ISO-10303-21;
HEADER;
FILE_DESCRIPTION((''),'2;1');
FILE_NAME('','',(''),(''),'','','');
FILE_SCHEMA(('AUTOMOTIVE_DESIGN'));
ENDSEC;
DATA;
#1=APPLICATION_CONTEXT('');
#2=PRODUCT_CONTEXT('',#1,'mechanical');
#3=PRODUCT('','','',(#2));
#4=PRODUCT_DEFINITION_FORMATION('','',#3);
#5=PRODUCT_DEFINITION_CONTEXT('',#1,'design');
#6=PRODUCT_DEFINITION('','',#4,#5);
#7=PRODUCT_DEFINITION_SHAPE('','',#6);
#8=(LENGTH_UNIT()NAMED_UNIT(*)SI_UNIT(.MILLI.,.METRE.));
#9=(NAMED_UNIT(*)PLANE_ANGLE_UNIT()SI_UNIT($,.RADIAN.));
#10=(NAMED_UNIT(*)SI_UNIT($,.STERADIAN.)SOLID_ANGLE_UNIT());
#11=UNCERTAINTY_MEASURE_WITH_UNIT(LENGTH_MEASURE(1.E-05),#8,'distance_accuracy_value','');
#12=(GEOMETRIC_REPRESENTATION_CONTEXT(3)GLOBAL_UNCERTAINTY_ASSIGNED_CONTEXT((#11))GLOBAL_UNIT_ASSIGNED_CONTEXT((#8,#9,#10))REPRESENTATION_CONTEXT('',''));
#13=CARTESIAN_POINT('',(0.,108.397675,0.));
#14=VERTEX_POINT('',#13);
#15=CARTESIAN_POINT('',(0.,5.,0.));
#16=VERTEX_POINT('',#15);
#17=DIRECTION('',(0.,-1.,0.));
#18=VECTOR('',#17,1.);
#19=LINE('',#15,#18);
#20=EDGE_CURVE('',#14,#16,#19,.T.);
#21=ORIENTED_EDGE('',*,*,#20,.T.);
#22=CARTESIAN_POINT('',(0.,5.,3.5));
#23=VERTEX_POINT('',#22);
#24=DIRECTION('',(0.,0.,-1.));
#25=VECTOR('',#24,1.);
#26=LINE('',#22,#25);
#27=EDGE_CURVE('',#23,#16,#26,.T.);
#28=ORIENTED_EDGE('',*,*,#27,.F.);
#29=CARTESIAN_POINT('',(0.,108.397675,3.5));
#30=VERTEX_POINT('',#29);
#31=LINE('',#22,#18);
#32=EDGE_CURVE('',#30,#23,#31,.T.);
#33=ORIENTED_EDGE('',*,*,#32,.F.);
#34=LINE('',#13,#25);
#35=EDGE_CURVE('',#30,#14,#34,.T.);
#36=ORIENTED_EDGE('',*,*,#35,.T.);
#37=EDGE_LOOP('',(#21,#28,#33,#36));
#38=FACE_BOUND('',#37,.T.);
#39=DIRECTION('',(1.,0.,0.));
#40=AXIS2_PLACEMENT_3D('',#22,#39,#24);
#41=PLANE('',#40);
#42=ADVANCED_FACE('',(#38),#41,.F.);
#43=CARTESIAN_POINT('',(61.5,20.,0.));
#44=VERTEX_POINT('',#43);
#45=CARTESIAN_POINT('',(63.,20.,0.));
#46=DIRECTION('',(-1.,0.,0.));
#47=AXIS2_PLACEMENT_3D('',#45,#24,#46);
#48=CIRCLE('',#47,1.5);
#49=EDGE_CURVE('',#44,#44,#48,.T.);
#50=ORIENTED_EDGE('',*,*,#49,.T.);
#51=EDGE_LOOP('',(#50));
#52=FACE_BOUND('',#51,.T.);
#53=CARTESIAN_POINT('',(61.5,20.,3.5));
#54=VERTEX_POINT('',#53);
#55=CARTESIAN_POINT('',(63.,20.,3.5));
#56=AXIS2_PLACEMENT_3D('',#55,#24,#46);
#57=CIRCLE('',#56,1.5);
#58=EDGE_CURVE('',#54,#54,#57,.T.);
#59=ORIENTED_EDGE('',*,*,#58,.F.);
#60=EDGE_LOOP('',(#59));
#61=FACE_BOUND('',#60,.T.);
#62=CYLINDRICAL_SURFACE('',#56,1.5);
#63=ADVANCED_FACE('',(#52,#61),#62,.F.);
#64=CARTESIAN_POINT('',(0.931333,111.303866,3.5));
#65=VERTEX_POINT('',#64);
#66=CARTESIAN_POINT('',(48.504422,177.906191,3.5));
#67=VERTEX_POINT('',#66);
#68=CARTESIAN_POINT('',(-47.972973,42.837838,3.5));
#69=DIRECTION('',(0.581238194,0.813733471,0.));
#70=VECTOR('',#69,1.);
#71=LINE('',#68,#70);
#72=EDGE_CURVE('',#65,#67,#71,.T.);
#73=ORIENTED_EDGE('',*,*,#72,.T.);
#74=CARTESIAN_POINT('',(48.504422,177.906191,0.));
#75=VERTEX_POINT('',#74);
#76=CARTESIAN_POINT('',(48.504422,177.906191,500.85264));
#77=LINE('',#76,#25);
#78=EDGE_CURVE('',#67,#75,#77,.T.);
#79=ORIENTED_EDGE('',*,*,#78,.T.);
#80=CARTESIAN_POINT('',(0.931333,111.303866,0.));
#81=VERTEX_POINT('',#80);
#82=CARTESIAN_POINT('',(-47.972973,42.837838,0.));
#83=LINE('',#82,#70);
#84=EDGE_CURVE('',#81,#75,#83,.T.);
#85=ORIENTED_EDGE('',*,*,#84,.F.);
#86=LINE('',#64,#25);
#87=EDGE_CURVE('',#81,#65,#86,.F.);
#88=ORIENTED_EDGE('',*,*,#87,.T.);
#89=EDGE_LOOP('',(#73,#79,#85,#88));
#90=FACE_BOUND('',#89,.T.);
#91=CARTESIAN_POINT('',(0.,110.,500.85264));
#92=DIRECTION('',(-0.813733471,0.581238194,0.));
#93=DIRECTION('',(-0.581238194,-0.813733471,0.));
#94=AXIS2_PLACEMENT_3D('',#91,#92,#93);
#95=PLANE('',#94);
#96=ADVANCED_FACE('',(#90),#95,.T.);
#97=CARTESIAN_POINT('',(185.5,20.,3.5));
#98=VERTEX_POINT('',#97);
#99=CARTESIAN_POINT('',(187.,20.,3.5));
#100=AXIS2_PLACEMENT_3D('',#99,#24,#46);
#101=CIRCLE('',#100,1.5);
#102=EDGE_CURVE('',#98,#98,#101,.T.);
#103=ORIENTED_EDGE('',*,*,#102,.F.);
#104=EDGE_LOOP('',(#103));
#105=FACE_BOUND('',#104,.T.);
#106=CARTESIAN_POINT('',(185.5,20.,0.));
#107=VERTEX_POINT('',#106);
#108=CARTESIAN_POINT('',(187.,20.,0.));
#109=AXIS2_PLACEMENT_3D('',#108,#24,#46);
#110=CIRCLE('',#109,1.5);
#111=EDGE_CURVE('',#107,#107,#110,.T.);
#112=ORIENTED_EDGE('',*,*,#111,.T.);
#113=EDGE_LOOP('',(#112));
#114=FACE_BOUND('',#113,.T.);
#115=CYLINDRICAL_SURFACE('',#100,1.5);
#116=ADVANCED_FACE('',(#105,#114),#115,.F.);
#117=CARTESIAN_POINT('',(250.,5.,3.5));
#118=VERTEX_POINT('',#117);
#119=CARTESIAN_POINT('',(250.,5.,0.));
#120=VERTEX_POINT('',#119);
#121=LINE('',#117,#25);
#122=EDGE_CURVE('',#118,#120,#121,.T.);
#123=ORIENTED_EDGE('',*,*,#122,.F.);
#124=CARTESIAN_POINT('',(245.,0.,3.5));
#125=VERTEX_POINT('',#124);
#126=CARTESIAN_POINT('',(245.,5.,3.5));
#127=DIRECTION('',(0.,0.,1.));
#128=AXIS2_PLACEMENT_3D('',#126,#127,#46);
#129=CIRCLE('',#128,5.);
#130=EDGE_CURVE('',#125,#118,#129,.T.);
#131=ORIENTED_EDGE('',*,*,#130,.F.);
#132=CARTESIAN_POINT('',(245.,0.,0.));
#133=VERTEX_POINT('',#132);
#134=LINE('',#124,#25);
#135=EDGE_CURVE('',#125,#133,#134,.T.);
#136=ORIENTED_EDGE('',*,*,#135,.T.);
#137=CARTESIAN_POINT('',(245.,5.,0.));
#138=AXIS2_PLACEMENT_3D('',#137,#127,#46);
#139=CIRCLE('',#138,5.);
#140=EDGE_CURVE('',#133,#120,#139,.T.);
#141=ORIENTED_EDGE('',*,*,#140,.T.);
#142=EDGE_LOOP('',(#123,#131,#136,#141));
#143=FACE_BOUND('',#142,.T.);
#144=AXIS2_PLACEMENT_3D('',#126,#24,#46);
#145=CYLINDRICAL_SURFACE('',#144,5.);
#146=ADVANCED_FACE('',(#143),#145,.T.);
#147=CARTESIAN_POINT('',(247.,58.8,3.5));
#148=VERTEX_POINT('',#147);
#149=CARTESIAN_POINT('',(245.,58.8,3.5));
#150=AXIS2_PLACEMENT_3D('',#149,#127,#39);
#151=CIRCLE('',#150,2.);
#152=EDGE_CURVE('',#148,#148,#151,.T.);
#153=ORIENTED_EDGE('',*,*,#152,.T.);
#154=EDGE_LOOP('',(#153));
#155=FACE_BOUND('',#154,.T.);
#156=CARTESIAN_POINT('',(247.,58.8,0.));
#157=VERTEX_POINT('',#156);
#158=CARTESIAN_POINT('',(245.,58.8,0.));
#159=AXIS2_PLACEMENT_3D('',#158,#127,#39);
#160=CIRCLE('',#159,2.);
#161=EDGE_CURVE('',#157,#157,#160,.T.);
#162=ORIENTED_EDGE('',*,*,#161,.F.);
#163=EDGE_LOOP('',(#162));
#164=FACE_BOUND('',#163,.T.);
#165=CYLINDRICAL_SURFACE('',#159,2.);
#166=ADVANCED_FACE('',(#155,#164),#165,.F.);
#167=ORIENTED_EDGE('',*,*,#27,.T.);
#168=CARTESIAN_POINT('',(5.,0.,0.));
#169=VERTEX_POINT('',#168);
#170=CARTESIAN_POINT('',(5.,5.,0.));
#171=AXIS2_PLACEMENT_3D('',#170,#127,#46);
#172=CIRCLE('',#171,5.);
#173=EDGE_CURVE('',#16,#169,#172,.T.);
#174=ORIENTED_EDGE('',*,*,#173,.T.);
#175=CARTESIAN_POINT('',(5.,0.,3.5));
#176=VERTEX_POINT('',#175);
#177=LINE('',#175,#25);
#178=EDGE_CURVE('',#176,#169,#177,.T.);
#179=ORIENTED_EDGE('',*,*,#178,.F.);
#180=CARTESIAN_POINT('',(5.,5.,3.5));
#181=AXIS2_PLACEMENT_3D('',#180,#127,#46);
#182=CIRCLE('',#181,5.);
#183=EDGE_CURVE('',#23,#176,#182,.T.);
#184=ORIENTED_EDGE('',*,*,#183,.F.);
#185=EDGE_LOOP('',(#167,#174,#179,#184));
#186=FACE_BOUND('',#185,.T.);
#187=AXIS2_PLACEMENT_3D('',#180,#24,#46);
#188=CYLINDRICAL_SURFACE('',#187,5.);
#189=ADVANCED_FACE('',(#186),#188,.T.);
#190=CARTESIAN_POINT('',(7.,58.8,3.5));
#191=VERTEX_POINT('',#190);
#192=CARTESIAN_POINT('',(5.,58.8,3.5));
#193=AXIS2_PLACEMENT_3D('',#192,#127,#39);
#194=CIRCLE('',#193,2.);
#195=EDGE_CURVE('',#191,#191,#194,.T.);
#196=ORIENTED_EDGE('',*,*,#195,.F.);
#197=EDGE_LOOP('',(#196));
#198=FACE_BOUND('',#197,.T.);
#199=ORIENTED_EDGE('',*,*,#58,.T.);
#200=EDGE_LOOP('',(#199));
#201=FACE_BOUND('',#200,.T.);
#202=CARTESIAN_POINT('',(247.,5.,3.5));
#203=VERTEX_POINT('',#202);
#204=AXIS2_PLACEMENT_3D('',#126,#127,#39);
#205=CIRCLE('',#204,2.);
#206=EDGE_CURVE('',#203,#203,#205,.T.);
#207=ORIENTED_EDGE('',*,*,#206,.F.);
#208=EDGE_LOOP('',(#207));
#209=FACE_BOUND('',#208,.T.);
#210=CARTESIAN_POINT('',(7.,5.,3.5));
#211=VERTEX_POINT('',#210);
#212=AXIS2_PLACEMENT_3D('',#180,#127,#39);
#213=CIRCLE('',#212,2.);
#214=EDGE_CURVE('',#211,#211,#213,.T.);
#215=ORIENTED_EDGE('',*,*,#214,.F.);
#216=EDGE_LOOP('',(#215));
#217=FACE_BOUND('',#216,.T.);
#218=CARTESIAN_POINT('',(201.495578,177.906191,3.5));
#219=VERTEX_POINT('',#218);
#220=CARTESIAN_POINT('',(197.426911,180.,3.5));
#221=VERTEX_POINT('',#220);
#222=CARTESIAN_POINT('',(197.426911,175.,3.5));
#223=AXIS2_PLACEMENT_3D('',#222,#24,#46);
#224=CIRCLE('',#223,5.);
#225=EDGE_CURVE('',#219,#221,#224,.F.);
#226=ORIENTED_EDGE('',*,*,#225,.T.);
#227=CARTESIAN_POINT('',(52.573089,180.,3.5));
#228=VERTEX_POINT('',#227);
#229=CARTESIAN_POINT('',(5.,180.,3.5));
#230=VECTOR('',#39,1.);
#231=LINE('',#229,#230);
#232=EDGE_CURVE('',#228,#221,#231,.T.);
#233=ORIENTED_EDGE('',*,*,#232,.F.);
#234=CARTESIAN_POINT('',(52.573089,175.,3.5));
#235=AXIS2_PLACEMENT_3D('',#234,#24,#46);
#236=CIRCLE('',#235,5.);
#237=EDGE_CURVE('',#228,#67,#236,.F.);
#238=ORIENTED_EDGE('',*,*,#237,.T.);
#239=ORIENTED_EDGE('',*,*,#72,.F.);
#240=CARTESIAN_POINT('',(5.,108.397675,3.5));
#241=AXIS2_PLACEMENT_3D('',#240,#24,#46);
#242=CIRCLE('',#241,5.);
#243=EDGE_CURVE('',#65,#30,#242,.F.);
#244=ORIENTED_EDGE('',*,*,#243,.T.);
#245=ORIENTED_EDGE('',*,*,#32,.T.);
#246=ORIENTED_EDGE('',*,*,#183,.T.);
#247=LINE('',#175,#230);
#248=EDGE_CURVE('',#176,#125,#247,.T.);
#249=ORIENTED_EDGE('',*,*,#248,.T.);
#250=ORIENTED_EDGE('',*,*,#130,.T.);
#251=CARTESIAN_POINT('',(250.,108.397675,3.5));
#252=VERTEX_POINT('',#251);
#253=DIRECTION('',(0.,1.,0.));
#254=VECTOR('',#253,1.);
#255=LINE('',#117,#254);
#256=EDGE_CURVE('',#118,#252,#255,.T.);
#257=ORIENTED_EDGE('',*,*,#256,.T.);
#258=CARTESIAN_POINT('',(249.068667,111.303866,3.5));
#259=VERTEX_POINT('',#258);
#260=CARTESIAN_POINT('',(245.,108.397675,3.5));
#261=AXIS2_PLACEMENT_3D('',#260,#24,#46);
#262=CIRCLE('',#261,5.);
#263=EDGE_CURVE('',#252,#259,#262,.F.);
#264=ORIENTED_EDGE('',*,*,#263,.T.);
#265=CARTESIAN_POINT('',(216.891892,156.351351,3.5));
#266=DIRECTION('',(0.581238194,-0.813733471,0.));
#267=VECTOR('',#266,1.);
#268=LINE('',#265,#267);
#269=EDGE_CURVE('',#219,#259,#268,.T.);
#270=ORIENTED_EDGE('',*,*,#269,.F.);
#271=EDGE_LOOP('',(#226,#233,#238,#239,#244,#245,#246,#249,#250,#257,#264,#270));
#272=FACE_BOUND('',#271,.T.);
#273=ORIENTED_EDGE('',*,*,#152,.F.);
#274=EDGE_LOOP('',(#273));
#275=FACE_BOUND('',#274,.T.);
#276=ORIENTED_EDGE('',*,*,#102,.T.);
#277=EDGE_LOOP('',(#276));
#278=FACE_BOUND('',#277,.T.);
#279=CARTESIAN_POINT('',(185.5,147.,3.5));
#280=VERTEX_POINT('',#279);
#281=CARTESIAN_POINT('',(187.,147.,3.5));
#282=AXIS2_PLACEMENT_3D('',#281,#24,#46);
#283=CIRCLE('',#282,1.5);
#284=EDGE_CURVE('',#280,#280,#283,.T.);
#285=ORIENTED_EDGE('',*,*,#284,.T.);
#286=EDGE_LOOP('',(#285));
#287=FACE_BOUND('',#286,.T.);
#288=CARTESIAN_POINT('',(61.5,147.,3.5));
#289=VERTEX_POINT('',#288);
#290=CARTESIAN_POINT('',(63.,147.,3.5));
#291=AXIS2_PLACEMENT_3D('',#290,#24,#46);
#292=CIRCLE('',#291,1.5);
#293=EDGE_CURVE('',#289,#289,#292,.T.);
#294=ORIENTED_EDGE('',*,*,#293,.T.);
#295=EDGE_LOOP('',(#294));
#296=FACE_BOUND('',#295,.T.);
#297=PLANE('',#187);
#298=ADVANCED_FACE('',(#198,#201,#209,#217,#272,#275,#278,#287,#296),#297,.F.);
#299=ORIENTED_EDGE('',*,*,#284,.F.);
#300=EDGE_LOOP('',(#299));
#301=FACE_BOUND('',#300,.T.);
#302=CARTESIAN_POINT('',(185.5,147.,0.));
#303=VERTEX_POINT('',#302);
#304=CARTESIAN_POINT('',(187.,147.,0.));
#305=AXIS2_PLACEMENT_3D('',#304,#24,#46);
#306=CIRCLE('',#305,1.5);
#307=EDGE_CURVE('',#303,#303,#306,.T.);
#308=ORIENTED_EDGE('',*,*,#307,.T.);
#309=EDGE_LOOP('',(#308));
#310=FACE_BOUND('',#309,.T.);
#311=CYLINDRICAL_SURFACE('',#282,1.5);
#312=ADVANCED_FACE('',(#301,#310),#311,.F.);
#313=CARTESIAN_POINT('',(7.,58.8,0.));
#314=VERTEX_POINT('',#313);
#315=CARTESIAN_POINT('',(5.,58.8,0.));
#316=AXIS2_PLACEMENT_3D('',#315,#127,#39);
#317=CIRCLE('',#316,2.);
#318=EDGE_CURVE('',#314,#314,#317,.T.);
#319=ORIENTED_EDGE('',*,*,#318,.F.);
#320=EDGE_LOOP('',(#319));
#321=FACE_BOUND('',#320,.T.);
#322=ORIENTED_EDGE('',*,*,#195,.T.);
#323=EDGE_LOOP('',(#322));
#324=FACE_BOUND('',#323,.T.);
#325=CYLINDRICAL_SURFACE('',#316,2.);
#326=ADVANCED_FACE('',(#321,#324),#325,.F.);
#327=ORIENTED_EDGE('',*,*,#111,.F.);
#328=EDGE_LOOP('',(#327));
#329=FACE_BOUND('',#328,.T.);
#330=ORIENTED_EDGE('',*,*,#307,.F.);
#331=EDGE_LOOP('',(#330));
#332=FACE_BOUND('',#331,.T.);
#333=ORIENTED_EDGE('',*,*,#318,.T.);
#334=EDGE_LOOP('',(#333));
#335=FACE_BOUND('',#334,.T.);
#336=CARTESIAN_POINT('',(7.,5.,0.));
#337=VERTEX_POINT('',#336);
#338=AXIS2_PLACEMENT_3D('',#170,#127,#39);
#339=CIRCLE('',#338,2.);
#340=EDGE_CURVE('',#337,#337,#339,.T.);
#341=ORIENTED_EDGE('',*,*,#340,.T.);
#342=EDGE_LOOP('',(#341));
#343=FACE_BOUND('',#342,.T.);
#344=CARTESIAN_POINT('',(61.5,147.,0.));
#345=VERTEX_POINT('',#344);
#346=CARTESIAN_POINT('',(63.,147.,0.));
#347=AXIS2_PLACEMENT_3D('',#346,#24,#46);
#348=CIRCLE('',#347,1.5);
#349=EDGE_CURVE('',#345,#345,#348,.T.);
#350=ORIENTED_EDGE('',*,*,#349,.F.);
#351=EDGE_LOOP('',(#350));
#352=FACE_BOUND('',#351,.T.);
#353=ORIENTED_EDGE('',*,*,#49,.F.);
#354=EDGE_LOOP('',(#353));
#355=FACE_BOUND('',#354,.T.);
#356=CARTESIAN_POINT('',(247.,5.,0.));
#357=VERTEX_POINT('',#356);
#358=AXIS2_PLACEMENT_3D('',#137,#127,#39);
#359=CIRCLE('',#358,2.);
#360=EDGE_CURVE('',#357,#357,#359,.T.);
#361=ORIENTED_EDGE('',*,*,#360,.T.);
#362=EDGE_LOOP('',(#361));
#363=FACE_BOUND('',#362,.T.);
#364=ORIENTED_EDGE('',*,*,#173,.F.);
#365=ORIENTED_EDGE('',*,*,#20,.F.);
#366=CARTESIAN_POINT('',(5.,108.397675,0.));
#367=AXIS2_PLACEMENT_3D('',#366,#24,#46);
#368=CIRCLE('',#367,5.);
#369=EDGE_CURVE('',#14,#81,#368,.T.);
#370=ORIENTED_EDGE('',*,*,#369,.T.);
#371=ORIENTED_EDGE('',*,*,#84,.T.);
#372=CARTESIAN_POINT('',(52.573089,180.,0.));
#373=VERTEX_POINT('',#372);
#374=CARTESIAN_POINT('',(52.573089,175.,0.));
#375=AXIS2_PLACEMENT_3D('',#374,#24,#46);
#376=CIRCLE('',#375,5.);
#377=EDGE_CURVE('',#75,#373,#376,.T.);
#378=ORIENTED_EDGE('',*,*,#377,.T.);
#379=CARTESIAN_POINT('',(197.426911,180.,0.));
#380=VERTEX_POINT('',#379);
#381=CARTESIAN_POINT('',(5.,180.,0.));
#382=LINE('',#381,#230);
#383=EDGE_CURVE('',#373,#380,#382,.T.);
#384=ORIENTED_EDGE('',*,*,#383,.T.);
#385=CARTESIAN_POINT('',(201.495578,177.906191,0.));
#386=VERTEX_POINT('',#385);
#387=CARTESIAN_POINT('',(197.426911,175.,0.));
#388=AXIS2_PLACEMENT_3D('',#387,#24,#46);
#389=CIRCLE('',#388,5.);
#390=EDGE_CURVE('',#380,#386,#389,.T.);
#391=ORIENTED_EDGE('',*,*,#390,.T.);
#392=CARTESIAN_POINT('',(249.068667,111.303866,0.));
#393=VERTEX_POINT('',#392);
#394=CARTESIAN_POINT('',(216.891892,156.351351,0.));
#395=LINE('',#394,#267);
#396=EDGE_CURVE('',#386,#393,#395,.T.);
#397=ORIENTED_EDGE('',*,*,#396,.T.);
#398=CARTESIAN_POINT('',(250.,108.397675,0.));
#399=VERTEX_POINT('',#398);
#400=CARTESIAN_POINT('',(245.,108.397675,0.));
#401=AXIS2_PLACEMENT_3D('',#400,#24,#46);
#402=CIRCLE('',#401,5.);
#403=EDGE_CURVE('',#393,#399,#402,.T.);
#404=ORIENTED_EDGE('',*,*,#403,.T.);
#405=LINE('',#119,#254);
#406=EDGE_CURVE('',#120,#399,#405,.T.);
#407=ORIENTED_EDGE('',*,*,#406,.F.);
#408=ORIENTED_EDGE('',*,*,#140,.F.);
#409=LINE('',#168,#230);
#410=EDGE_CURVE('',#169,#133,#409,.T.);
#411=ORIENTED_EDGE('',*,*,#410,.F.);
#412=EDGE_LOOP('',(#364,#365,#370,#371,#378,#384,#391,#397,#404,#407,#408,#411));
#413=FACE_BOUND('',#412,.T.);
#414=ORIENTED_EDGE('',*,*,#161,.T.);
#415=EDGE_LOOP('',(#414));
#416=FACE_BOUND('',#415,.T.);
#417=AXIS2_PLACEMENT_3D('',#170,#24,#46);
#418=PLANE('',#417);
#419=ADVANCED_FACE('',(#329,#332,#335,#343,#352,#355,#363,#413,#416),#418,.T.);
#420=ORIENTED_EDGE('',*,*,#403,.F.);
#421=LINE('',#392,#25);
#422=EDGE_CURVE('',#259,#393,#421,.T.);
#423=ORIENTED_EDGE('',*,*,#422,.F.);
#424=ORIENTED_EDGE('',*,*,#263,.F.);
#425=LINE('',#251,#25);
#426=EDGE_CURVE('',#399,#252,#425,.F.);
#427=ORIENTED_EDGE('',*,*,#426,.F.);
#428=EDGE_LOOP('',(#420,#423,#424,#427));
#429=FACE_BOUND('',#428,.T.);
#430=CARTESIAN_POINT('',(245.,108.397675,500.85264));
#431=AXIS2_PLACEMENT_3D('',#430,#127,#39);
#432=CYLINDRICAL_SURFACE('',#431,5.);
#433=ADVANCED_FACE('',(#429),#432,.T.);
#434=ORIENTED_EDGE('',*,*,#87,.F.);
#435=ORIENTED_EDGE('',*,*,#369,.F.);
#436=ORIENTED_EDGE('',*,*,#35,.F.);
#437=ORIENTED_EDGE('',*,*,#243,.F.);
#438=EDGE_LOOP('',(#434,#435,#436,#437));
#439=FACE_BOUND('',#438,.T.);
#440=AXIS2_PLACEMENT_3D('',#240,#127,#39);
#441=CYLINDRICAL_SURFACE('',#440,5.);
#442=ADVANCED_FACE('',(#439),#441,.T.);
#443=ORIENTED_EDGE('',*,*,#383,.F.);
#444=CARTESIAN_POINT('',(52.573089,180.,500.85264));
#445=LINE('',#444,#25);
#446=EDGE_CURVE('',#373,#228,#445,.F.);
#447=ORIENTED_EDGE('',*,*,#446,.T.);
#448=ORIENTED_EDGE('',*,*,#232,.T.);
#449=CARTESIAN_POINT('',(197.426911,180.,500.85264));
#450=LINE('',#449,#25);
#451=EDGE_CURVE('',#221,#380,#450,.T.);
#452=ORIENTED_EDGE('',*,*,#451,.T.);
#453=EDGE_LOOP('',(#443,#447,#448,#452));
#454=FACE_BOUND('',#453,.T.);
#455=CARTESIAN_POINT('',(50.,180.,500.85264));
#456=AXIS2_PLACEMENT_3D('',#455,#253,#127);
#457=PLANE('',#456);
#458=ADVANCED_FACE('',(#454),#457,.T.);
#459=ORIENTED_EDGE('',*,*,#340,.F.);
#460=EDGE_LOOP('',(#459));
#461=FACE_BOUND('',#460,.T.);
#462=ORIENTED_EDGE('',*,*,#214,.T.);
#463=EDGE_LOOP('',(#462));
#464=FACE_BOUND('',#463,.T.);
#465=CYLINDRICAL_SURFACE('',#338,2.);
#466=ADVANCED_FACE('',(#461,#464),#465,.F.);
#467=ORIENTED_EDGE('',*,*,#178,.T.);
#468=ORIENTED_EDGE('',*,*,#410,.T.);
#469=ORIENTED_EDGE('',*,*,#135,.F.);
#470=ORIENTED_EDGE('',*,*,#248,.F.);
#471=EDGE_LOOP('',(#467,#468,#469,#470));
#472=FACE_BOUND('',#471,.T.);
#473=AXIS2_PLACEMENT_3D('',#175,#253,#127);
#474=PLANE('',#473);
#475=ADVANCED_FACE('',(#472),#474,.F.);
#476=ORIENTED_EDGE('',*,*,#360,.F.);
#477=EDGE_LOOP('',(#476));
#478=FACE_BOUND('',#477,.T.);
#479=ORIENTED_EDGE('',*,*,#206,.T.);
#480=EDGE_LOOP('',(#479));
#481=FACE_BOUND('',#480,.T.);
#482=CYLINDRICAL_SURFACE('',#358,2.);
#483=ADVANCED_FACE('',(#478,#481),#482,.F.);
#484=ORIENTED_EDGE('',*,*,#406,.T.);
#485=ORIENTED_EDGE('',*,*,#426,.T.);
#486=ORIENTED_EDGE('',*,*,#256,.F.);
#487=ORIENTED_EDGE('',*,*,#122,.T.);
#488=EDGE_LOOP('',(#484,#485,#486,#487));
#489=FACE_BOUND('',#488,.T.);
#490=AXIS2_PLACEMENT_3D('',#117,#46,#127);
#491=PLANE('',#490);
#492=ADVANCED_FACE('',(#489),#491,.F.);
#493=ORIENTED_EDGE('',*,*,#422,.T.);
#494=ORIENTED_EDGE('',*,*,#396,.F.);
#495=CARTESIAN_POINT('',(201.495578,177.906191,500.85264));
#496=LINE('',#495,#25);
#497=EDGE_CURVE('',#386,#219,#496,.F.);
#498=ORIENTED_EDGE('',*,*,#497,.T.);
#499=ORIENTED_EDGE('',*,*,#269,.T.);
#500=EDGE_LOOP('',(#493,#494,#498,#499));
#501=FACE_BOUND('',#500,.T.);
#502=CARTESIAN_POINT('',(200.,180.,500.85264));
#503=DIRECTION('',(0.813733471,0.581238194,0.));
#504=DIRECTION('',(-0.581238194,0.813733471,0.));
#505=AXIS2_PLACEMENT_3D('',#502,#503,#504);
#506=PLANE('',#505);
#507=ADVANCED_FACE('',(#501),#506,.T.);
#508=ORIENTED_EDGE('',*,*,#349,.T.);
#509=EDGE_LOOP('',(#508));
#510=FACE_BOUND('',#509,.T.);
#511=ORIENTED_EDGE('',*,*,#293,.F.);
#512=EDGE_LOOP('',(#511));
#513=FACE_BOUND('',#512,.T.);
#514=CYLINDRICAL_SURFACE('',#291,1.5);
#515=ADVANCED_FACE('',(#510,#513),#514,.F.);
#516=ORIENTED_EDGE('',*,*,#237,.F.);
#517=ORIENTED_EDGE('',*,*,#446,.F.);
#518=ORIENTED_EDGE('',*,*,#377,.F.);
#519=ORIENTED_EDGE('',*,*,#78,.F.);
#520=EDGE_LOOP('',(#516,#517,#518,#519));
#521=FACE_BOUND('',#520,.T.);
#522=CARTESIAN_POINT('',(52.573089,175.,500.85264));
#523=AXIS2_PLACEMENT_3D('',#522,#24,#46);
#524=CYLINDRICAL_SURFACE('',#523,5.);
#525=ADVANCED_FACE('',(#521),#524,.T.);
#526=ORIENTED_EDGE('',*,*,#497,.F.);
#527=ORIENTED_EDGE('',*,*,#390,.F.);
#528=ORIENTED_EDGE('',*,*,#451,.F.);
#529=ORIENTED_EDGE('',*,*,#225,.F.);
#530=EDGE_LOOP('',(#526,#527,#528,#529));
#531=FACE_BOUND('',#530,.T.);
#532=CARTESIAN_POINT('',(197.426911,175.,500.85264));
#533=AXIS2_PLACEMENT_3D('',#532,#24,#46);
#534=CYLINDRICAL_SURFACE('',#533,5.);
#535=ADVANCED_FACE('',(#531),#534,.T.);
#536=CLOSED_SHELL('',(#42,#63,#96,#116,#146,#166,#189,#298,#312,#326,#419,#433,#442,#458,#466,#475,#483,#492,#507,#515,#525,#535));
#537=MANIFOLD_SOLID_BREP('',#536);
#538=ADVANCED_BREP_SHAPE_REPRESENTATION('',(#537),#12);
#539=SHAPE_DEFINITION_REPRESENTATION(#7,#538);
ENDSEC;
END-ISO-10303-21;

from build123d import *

# Parameters (mm, degrees)
BOSS_EXTRU_1_DEPTH           = 3.5
ESQUISSE2_R                  = 2
ENL_V_MAT_EXTRU_1_DEPTH      = 395.382111663
ENL_V_MAT_EXTRU_2_DEPTH      = 395.382111663
ENL_V_MAT_EXTRU_2_DEPTH_BACK = 395.382111663
CONG_1_R                     = 5
ESQUISSE4_R                  = 1.5
ENL_V_MAT_EXTRU_3_DEPTH      = 309.078317965


with BuildPart() as part:
    # Esquisse1 → Boss.-Extru.1 (new body)
    with BuildSketch(Plane.XY):
        with BuildLine():
            Line((5, 0), (245, 0))
            ThreePointArc((245, 0), (248.535533906, 1.464466094), (250, 5))
            Line((250, 5), (250, 305))
            Line((250, 305), (0, 305))
            Line((0, 305), (0, 5))
            ThreePointArc((0, 5), (1.464466094, 1.464466094), (5, 0))
        make_face()
    extrude(amount=BOSS_EXTRU_1_DEPTH)

    # Esquisse2 → Enlèv. mat.-Extru.1 (cut, through all)
    with BuildSketch(Plane.XY.offset(3.5)):
        with Locations((5, 5)):
            Circle(ESQUISSE2_R)
        with Locations((245, 5)):
            Circle(ESQUISSE2_R)
        with Locations((5, 58.8)):
            Circle(ESQUISSE2_R)
        with Locations((245, 58.8)):
            Circle(ESQUISSE2_R)
    extrude(amount=-ENL_V_MAT_EXTRU_1_DEPTH, mode=Mode.SUBTRACT)

    # Esquisse3 → Enlèv. mat.-Extru.2 (cut, two sides: drawn at the far end of the back side and taken through both)
    with BuildSketch(Plane.XY.offset(3.5).offset(-ENL_V_MAT_EXTRU_2_DEPTH_BACK)):
        Polygon((-374.383398967, -414.136758554), (0, 110), (50, 180), (200, 180), (250, 110), (624.383398967, -414.136758554), (624.383398967, 874.090350445), (-374.383398967, 874.090350445), align=None)
    extrude(amount=ENL_V_MAT_EXTRU_2_DEPTH + ENL_V_MAT_EXTRU_2_DEPTH_BACK, mode=Mode.SUBTRACT)

    # Congé1
    cong_1_edges = [part.edges().sort_by_distance(p)[0] for p in [
        (50, 180, 1.75),
        (200, 180, 1.75),
        (250, 110, 1.75),
        (0, 110, 1.75),
    ]]
    fillet(cong_1_edges, radius=CONG_1_R)

    # Esquisse4 → Enlèv. mat.-Extru.3 (cut, through all)
    with BuildSketch(Plane(origin=(0, 0, 0), x_dir=(-1, 0, 0), z_dir=(0, 0, -1))):
        with Locations((-187, 20)):
            Circle(ESQUISSE4_R)
        with Locations((-187, 147)):
            Circle(ESQUISSE4_R)
        with Locations((-63, 147)):
            Circle(ESQUISSE4_R)
        with Locations((-63, 20)):
            Circle(ESQUISSE4_R)
    extrude(amount=-ENL_V_MAT_EXTRU_3_DEPTH, mode=Mode.SUBTRACT)


solid = part.part
